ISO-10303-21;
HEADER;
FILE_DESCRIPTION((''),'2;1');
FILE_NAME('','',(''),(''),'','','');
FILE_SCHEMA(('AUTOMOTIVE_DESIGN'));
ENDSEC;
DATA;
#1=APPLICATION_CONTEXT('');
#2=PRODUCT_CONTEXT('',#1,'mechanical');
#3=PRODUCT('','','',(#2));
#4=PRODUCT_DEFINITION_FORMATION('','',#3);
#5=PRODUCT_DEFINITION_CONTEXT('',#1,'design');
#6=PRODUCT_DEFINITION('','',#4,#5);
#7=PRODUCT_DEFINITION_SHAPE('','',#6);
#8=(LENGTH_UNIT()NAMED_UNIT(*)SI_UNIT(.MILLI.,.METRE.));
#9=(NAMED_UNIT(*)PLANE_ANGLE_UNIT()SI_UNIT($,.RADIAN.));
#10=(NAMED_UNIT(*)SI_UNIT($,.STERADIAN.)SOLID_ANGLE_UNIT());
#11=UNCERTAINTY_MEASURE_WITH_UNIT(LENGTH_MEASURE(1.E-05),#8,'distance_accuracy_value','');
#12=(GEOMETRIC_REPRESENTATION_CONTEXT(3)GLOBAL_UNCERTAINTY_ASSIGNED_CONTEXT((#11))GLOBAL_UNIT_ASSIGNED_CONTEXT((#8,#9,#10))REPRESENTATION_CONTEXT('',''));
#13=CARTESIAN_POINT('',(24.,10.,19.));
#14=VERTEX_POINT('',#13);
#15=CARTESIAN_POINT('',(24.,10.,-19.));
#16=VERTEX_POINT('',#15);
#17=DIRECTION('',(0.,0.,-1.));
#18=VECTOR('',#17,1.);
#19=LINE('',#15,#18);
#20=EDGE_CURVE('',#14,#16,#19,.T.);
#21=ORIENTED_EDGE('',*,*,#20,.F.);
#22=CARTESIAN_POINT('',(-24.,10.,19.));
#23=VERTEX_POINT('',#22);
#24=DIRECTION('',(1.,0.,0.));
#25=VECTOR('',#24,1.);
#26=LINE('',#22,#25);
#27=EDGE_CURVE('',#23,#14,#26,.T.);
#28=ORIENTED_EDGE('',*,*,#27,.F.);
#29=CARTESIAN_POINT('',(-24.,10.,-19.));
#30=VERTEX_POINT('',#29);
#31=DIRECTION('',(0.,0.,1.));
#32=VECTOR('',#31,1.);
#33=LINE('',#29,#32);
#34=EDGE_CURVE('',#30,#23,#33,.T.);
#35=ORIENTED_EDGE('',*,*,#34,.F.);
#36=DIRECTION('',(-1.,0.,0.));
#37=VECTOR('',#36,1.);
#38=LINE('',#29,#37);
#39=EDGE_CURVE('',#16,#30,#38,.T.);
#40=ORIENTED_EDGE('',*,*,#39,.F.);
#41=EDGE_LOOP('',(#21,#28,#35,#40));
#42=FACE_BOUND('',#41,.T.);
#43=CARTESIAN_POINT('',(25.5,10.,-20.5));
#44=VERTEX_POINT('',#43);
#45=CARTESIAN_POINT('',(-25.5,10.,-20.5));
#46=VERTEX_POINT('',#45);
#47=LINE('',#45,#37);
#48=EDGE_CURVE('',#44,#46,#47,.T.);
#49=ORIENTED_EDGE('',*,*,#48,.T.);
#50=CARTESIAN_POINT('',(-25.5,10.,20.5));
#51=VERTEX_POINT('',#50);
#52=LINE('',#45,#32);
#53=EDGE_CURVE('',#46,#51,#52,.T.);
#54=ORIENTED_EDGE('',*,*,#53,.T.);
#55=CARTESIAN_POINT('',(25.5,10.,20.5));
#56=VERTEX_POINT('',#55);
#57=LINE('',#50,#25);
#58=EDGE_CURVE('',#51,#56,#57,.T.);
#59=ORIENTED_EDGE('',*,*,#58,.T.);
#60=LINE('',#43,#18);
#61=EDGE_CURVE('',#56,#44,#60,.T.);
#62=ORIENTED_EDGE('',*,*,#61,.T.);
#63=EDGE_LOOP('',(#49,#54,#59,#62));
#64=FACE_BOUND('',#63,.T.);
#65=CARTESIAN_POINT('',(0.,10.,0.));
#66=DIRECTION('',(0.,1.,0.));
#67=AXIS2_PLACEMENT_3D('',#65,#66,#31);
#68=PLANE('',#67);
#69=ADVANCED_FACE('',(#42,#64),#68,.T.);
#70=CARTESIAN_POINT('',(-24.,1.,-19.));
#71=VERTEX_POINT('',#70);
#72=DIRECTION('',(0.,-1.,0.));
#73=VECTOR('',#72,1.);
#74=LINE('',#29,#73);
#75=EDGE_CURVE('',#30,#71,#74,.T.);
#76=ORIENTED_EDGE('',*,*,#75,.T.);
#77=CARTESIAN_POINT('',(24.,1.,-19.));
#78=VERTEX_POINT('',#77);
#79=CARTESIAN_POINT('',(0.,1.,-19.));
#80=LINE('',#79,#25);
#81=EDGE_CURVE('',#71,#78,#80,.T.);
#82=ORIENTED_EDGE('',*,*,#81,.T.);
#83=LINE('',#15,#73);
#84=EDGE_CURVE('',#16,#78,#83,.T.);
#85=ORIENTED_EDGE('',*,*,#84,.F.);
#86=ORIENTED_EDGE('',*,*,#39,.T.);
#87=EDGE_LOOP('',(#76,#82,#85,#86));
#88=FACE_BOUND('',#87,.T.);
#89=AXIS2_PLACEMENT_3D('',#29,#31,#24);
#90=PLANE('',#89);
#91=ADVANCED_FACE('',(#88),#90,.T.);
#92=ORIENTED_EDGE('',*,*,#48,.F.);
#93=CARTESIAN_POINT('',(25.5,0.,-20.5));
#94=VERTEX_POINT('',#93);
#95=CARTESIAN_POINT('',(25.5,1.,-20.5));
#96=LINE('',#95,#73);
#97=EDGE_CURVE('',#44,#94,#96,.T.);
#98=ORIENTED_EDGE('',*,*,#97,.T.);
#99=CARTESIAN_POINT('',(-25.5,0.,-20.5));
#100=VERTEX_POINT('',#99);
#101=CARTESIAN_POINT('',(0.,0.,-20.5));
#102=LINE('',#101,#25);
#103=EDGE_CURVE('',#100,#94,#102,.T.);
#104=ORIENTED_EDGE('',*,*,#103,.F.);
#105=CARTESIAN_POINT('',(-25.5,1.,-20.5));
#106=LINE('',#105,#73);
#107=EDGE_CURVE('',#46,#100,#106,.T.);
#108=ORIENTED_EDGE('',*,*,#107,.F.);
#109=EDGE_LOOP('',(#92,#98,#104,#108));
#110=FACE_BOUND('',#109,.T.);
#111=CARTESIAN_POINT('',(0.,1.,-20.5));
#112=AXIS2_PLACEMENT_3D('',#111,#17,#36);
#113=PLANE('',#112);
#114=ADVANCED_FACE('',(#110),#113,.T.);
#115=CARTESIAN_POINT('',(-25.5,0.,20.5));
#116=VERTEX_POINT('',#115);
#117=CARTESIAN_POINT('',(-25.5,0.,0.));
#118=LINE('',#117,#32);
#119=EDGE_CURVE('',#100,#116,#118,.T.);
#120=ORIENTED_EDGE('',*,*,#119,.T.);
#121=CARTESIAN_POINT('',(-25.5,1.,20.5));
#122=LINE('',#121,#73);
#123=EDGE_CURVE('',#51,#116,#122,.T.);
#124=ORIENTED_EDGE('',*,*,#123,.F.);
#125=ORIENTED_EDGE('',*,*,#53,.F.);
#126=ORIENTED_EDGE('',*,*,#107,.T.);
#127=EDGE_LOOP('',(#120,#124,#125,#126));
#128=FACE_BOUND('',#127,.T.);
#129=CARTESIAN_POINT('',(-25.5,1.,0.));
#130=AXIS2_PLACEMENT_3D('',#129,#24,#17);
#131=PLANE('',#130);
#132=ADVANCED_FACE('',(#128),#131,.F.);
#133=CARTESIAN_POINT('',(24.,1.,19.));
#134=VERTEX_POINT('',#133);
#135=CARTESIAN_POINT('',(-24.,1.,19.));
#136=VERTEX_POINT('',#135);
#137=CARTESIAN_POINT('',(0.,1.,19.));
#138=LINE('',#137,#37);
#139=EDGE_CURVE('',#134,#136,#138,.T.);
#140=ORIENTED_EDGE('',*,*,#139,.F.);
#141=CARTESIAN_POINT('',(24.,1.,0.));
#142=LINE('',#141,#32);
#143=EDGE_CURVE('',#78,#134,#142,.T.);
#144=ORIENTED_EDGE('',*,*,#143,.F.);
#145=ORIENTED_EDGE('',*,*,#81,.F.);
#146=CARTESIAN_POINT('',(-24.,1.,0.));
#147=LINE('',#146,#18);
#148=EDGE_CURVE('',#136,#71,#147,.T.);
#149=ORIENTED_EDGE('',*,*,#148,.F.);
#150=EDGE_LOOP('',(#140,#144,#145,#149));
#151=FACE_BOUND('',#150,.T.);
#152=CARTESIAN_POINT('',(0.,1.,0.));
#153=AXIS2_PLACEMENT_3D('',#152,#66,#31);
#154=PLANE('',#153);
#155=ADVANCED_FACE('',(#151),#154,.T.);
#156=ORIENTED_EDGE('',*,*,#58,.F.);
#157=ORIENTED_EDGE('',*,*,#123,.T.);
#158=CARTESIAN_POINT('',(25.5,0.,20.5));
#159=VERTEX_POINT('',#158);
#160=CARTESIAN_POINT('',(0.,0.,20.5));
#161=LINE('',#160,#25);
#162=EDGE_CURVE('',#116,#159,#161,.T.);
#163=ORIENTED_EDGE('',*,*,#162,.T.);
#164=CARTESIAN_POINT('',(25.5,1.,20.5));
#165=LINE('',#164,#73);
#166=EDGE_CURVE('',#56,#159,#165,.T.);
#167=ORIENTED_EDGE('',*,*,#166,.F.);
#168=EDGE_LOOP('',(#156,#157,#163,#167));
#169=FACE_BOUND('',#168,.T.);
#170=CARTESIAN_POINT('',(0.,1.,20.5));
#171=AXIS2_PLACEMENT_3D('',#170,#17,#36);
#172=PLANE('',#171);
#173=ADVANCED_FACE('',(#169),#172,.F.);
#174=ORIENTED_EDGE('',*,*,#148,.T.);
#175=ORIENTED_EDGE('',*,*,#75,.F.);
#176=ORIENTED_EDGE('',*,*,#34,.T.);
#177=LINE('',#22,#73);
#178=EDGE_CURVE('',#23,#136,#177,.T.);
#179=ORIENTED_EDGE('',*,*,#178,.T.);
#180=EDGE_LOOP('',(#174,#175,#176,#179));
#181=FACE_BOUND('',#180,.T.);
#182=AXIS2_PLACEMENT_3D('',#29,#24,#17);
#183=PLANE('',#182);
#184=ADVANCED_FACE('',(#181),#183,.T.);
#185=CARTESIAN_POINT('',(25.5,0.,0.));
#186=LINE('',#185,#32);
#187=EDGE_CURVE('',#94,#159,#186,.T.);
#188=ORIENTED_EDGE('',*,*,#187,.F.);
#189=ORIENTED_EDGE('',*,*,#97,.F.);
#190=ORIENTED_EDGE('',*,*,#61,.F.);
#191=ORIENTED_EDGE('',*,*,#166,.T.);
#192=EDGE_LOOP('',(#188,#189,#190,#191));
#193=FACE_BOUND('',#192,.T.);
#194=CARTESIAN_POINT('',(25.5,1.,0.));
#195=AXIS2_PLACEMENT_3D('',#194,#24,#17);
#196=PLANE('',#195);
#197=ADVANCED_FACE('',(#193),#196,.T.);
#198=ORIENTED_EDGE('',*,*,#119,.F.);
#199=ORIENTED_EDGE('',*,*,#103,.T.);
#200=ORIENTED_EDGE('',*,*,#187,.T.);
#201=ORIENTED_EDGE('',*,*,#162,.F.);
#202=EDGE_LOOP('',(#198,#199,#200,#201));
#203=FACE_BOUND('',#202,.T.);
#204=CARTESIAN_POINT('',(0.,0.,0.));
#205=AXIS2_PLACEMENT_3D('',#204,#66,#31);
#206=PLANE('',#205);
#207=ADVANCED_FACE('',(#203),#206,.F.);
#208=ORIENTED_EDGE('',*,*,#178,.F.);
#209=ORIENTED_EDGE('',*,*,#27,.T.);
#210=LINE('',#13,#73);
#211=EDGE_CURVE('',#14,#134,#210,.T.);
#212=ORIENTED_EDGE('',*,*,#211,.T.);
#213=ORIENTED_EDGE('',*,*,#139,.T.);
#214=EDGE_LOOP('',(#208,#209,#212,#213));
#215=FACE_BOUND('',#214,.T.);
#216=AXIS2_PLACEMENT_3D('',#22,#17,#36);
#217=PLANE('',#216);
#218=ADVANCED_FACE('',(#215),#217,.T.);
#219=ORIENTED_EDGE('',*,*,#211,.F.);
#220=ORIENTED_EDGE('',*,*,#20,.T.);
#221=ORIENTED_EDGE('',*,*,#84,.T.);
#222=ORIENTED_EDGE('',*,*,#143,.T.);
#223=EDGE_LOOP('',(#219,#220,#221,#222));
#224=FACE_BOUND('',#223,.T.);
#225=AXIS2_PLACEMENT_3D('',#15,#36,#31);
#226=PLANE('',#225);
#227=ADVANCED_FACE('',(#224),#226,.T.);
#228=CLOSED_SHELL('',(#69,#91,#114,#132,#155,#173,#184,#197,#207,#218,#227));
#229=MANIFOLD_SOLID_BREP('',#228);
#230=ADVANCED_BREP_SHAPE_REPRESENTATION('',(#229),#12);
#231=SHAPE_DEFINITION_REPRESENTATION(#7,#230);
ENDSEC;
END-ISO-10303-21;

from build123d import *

# Parameters (mm, degrees)
SKETCH1_W           = 51
SKETCH1_H           = 41
SKETCH1_W_2         = 48
SKETCH1_H_2         = 38
BOSS_EXTRUDE1_DEPTH = 1
SKETCH1_3_W         = 51
SKETCH1_3_H         = 41
SKETCH1_3_W_2       = 48
SKETCH1_3_H_2       = 38
BOSS_EXTRUDE2_DEPTH = 10


with BuildPart() as part:
    # Sketch1 → Boss-Extrude1 (new body)
    with BuildSketch(Plane(origin=(0, 0, 0), x_dir=(1, 0, 0), z_dir=(0, 1, 0))):
        Rectangle(SKETCH1_W, SKETCH1_H)
        Rectangle(SKETCH1_W_2, SKETCH1_H_2, mode=Mode.SUBTRACT)
        Rectangle(SKETCH1_W_2, SKETCH1_H_2)
    extrude(amount=BOSS_EXTRUDE1_DEPTH)

    # Sketch1<3> → Boss-Extrude2 (add)
    with BuildSketch(Plane(origin=(0, 0, 0), x_dir=(1, 0, 0), z_dir=(0, 1, 0))):
        Rectangle(SKETCH1_3_W, SKETCH1_3_H)
        Rectangle(SKETCH1_3_W_2, SKETCH1_3_H_2, mode=Mode.SUBTRACT)
    extrude(amount=BOSS_EXTRUDE2_DEPTH)


solid = part.part
